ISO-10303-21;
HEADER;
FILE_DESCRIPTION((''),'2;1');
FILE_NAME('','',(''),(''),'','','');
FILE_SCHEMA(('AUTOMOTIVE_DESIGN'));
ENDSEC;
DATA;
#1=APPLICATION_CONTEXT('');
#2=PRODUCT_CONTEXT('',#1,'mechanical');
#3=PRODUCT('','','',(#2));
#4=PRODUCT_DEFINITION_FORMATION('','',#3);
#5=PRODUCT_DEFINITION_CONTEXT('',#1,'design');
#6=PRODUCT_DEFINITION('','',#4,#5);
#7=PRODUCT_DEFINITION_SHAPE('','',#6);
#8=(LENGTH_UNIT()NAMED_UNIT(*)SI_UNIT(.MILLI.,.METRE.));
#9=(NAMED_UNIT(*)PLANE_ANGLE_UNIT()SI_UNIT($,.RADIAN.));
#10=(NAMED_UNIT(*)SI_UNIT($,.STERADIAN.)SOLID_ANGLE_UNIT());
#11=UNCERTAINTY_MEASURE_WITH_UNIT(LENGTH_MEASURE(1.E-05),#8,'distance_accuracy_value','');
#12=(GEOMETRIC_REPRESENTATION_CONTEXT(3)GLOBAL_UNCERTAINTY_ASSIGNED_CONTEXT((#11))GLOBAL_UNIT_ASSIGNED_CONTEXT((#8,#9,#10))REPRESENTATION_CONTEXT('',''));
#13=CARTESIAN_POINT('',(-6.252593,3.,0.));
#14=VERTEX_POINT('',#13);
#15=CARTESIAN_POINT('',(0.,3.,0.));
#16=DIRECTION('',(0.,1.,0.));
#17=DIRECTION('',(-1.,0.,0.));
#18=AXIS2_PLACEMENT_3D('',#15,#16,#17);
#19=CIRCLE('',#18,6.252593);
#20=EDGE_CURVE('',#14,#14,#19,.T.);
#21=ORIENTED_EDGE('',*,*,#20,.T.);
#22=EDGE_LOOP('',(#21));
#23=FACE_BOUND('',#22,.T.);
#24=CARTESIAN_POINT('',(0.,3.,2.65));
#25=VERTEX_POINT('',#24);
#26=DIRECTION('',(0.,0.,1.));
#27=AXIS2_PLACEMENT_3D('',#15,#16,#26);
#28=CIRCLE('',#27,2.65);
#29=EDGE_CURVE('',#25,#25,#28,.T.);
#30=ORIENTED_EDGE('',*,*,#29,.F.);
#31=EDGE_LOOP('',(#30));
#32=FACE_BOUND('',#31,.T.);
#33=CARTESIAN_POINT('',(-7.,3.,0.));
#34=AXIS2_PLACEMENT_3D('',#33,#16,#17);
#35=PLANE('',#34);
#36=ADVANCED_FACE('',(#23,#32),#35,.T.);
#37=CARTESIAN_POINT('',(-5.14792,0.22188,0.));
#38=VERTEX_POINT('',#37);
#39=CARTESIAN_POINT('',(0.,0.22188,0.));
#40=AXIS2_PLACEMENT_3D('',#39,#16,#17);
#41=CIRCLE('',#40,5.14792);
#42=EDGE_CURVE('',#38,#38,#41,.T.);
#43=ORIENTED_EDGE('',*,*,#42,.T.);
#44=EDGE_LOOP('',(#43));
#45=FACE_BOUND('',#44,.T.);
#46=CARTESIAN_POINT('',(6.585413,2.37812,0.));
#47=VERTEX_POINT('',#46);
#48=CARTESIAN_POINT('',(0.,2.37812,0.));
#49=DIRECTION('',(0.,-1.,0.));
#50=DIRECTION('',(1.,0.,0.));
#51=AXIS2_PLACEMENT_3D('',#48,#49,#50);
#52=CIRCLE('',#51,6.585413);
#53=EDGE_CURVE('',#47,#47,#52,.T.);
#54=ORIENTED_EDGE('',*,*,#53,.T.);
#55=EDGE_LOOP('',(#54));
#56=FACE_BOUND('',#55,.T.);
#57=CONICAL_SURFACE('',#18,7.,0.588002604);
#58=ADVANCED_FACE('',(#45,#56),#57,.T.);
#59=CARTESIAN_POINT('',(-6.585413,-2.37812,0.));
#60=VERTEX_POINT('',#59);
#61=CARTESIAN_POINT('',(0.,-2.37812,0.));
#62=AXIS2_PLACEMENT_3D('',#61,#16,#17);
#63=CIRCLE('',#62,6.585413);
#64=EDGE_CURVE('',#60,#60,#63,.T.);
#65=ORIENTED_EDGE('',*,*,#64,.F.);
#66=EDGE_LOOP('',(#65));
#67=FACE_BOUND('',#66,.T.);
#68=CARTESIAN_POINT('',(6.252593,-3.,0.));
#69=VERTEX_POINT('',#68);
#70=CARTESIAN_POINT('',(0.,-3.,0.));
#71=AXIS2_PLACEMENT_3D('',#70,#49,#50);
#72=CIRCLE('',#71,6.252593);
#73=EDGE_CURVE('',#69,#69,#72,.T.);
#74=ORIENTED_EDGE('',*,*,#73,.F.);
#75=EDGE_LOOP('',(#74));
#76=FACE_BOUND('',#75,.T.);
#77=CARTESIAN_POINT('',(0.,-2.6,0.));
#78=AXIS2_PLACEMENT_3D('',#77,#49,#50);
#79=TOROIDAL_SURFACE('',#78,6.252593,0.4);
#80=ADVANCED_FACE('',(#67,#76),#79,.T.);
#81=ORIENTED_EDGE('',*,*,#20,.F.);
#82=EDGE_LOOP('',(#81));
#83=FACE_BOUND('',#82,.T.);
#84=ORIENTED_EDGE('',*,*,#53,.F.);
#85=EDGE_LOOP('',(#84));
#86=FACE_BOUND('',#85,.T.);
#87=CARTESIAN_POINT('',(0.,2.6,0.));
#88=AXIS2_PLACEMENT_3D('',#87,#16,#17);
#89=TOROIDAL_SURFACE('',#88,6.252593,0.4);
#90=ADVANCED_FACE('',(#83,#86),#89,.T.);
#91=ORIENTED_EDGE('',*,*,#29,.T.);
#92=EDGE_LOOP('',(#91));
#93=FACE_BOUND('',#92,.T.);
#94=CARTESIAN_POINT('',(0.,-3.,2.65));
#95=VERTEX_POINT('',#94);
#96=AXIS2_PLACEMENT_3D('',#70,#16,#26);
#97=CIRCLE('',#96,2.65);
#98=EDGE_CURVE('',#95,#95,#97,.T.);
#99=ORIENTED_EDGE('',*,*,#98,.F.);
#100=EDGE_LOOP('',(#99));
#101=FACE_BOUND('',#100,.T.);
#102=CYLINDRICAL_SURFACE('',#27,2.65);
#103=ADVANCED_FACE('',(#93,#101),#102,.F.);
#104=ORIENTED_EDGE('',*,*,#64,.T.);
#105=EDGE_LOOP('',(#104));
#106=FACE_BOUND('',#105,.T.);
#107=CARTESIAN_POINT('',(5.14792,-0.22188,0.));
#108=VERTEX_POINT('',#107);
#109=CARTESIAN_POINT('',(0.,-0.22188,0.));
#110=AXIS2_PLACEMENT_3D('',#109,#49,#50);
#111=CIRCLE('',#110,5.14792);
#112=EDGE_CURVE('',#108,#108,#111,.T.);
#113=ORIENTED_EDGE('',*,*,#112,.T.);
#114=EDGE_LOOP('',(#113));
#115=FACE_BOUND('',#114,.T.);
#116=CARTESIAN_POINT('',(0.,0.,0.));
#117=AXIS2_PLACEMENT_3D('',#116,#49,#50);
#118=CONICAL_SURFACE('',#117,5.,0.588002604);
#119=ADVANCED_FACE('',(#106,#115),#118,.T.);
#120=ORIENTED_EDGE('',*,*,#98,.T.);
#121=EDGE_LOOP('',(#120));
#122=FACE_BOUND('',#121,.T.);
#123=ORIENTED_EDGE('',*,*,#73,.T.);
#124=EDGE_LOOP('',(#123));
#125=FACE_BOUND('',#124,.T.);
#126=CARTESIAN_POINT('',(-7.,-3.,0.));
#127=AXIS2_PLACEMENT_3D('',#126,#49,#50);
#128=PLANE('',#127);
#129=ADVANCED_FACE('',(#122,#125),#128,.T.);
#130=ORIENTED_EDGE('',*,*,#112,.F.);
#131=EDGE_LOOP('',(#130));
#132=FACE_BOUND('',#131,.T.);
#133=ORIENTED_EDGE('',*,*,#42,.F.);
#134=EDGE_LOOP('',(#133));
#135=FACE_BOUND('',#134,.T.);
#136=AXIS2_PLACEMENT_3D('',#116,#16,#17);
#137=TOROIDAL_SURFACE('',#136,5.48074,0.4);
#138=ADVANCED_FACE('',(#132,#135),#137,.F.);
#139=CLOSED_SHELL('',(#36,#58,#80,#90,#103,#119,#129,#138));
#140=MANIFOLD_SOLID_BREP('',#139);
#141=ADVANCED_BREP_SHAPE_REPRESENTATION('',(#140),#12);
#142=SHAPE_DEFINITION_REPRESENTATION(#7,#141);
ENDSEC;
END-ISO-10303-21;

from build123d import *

# Parameters (mm, degrees)
CONG_1_R         = 0.4
D_GAGEMENT_M51_D = 5.3


with BuildPart() as part:
    # Esquisse2 → Révolution1 (revolve)
    with BuildSketch(Plane.XY):
        Polygon((-7, 3), (-5, 0), (-7, -3), (0, -3), (0, 3), align=None)
    revolve(axis=Axis((0, 3, 0), (0, -1, 0)))

    # Congé1
    cong_1_edges = [part.edges().sort_by_distance(p)[0] for p in [
        (7, 3, 0),
        (5, 0, 0),
        (7, -3, 0),
    ]]
    fillet(cong_1_edges, radius=CONG_1_R)

    # Dégagement M51 (through all)
    with Locations(Plane(origin=(0, 3, 0), x_dir=(1, 0, 0), z_dir=(0, 1, 0))):
        with Locations((0, 0)):
            Hole(D_GAGEMENT_M51_D / 2)


solid = part.part
